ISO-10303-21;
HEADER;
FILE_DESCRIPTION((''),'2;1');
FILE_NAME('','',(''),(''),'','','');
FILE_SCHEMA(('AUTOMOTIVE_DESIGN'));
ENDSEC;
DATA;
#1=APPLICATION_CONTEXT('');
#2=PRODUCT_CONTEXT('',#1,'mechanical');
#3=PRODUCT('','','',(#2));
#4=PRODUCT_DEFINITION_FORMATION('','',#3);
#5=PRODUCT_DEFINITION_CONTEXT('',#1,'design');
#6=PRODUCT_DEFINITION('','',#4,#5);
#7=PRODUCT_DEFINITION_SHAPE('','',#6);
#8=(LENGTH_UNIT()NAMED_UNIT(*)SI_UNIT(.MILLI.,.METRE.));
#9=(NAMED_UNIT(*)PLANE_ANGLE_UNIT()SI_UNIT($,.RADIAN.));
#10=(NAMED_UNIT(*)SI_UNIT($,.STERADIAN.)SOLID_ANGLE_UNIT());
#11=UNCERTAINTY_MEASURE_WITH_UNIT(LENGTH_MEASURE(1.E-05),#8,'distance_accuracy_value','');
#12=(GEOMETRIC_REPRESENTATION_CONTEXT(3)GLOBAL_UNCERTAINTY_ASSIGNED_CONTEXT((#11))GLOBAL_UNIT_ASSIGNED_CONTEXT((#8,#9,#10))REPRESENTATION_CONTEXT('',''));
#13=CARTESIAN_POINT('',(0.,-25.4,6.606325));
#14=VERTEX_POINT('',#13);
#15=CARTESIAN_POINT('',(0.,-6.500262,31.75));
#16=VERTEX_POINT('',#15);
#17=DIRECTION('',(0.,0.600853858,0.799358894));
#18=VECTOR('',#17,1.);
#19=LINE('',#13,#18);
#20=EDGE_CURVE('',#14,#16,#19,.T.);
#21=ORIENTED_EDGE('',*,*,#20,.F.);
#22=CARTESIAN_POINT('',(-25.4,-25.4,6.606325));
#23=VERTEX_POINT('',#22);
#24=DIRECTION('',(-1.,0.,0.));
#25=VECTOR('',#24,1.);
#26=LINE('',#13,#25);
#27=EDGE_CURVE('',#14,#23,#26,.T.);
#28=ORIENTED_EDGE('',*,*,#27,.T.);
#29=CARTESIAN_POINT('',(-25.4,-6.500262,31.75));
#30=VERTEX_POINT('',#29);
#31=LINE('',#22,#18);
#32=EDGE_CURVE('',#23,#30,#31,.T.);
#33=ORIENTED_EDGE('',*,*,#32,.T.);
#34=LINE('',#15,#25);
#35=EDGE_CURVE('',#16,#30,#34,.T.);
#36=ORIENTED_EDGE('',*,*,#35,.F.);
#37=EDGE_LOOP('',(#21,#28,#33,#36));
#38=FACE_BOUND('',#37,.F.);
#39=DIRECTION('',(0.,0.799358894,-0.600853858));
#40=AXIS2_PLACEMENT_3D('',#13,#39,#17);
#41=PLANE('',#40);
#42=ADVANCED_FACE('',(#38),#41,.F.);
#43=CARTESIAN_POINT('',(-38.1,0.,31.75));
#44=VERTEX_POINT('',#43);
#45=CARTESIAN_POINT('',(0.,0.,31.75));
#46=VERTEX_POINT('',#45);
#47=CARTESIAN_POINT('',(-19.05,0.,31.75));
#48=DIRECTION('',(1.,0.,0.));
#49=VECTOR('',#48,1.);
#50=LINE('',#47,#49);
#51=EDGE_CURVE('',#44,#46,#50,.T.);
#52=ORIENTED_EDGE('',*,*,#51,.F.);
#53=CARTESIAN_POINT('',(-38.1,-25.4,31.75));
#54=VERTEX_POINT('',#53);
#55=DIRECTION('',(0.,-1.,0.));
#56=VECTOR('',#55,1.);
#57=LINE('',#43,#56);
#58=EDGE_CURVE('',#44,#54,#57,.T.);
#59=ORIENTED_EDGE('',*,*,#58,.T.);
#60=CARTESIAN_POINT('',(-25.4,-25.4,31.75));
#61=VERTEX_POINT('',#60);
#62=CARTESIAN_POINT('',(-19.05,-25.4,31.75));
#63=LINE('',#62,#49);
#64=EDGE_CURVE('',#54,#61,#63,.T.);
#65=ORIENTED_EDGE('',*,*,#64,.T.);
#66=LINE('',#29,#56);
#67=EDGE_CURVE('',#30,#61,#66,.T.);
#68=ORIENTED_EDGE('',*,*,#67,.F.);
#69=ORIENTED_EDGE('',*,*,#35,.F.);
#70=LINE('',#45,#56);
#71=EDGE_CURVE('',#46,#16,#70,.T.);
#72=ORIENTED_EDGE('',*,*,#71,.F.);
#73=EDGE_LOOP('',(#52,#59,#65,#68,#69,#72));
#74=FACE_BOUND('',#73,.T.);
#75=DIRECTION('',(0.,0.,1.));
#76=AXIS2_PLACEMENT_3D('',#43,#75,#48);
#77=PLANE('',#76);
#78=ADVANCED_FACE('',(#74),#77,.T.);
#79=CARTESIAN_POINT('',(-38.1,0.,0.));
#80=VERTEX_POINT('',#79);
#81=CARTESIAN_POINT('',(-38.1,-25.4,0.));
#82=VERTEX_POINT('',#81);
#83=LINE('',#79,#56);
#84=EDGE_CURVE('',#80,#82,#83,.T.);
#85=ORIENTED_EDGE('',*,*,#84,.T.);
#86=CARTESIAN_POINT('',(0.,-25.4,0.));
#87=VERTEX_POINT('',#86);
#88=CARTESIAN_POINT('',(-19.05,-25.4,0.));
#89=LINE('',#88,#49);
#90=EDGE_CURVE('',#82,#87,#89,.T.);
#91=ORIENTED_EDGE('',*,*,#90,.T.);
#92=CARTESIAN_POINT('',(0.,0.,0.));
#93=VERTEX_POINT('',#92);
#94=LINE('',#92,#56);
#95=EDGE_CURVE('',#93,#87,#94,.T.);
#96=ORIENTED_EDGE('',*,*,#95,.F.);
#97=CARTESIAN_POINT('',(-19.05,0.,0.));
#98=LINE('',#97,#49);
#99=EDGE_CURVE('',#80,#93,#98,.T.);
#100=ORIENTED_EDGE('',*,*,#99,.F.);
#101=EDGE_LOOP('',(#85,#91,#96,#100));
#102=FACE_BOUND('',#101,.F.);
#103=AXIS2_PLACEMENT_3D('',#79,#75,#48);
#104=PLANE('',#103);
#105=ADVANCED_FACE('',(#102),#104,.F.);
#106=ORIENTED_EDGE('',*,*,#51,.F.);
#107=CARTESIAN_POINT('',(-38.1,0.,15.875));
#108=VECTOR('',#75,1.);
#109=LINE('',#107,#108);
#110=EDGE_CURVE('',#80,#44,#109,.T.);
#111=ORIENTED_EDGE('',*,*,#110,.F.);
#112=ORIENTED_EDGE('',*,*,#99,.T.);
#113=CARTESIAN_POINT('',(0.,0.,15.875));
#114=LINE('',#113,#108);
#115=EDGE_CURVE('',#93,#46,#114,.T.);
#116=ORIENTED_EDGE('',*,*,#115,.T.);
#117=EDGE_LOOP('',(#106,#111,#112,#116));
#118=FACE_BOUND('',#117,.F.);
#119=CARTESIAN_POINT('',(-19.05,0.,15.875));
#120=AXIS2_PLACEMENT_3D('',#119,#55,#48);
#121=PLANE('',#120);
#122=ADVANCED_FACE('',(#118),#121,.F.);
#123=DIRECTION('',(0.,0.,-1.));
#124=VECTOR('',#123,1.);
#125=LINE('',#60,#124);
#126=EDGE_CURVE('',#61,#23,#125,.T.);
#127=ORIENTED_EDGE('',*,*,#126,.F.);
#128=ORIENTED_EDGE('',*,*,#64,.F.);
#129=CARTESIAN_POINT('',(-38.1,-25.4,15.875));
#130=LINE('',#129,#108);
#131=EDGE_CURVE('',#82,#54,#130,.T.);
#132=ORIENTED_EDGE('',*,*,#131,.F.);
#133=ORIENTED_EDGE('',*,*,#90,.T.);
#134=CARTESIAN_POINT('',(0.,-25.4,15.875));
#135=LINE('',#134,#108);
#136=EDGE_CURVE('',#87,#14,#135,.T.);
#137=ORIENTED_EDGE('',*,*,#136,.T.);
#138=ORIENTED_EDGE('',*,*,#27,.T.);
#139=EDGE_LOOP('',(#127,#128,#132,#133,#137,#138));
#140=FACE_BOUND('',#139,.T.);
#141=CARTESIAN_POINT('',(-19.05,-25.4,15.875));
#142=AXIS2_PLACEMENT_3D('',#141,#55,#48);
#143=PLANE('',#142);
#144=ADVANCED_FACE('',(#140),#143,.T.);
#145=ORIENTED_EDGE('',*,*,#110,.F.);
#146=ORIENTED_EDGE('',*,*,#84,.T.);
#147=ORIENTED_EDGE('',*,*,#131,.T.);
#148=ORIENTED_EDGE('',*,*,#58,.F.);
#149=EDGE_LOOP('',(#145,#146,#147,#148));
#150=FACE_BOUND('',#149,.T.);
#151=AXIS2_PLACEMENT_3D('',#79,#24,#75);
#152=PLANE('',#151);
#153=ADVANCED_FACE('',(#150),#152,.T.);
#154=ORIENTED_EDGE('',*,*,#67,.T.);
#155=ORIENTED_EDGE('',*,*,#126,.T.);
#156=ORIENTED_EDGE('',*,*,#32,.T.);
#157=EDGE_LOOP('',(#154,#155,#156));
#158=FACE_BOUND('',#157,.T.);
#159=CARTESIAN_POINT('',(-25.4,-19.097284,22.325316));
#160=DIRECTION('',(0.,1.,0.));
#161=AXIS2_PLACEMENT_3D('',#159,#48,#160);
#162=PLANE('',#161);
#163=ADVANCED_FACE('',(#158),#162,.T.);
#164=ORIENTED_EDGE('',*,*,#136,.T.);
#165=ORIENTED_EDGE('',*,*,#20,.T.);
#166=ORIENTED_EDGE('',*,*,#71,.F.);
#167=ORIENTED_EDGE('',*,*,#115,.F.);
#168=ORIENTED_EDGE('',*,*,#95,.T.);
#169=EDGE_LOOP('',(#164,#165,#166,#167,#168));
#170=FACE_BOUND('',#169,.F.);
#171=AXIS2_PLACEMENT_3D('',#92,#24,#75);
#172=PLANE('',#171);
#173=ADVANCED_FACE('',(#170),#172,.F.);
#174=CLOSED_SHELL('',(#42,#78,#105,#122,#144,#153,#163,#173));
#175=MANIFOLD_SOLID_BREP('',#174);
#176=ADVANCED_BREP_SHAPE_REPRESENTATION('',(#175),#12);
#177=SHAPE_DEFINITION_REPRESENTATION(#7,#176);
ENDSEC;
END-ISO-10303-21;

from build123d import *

# Parameters (mm, degrees)
F0_W     = 38.1
F0_H     = 31.75
F1_DEPTH = 25.4
F4_DEPTH = 25.4


with BuildPart() as f1:
    # F0 (on Front) → F1 (new body)
    with BuildSketch(Plane.XZ):
        with Locations((-19.05, 15.875)):
            Rectangle(F0_W, F0_H)
    extrude(amount=F1_DEPTH)

    # F3 (on face) → F4 (cut)
    with BuildSketch(Plane.YZ):
        Polygon((-25.4, 6.6063252952), (-6.5002616409, 31.75), (-25.4, 31.75), align=None)
    extrude(amount=-F4_DEPTH, mode=Mode.SUBTRACT)


solid = f1.part
